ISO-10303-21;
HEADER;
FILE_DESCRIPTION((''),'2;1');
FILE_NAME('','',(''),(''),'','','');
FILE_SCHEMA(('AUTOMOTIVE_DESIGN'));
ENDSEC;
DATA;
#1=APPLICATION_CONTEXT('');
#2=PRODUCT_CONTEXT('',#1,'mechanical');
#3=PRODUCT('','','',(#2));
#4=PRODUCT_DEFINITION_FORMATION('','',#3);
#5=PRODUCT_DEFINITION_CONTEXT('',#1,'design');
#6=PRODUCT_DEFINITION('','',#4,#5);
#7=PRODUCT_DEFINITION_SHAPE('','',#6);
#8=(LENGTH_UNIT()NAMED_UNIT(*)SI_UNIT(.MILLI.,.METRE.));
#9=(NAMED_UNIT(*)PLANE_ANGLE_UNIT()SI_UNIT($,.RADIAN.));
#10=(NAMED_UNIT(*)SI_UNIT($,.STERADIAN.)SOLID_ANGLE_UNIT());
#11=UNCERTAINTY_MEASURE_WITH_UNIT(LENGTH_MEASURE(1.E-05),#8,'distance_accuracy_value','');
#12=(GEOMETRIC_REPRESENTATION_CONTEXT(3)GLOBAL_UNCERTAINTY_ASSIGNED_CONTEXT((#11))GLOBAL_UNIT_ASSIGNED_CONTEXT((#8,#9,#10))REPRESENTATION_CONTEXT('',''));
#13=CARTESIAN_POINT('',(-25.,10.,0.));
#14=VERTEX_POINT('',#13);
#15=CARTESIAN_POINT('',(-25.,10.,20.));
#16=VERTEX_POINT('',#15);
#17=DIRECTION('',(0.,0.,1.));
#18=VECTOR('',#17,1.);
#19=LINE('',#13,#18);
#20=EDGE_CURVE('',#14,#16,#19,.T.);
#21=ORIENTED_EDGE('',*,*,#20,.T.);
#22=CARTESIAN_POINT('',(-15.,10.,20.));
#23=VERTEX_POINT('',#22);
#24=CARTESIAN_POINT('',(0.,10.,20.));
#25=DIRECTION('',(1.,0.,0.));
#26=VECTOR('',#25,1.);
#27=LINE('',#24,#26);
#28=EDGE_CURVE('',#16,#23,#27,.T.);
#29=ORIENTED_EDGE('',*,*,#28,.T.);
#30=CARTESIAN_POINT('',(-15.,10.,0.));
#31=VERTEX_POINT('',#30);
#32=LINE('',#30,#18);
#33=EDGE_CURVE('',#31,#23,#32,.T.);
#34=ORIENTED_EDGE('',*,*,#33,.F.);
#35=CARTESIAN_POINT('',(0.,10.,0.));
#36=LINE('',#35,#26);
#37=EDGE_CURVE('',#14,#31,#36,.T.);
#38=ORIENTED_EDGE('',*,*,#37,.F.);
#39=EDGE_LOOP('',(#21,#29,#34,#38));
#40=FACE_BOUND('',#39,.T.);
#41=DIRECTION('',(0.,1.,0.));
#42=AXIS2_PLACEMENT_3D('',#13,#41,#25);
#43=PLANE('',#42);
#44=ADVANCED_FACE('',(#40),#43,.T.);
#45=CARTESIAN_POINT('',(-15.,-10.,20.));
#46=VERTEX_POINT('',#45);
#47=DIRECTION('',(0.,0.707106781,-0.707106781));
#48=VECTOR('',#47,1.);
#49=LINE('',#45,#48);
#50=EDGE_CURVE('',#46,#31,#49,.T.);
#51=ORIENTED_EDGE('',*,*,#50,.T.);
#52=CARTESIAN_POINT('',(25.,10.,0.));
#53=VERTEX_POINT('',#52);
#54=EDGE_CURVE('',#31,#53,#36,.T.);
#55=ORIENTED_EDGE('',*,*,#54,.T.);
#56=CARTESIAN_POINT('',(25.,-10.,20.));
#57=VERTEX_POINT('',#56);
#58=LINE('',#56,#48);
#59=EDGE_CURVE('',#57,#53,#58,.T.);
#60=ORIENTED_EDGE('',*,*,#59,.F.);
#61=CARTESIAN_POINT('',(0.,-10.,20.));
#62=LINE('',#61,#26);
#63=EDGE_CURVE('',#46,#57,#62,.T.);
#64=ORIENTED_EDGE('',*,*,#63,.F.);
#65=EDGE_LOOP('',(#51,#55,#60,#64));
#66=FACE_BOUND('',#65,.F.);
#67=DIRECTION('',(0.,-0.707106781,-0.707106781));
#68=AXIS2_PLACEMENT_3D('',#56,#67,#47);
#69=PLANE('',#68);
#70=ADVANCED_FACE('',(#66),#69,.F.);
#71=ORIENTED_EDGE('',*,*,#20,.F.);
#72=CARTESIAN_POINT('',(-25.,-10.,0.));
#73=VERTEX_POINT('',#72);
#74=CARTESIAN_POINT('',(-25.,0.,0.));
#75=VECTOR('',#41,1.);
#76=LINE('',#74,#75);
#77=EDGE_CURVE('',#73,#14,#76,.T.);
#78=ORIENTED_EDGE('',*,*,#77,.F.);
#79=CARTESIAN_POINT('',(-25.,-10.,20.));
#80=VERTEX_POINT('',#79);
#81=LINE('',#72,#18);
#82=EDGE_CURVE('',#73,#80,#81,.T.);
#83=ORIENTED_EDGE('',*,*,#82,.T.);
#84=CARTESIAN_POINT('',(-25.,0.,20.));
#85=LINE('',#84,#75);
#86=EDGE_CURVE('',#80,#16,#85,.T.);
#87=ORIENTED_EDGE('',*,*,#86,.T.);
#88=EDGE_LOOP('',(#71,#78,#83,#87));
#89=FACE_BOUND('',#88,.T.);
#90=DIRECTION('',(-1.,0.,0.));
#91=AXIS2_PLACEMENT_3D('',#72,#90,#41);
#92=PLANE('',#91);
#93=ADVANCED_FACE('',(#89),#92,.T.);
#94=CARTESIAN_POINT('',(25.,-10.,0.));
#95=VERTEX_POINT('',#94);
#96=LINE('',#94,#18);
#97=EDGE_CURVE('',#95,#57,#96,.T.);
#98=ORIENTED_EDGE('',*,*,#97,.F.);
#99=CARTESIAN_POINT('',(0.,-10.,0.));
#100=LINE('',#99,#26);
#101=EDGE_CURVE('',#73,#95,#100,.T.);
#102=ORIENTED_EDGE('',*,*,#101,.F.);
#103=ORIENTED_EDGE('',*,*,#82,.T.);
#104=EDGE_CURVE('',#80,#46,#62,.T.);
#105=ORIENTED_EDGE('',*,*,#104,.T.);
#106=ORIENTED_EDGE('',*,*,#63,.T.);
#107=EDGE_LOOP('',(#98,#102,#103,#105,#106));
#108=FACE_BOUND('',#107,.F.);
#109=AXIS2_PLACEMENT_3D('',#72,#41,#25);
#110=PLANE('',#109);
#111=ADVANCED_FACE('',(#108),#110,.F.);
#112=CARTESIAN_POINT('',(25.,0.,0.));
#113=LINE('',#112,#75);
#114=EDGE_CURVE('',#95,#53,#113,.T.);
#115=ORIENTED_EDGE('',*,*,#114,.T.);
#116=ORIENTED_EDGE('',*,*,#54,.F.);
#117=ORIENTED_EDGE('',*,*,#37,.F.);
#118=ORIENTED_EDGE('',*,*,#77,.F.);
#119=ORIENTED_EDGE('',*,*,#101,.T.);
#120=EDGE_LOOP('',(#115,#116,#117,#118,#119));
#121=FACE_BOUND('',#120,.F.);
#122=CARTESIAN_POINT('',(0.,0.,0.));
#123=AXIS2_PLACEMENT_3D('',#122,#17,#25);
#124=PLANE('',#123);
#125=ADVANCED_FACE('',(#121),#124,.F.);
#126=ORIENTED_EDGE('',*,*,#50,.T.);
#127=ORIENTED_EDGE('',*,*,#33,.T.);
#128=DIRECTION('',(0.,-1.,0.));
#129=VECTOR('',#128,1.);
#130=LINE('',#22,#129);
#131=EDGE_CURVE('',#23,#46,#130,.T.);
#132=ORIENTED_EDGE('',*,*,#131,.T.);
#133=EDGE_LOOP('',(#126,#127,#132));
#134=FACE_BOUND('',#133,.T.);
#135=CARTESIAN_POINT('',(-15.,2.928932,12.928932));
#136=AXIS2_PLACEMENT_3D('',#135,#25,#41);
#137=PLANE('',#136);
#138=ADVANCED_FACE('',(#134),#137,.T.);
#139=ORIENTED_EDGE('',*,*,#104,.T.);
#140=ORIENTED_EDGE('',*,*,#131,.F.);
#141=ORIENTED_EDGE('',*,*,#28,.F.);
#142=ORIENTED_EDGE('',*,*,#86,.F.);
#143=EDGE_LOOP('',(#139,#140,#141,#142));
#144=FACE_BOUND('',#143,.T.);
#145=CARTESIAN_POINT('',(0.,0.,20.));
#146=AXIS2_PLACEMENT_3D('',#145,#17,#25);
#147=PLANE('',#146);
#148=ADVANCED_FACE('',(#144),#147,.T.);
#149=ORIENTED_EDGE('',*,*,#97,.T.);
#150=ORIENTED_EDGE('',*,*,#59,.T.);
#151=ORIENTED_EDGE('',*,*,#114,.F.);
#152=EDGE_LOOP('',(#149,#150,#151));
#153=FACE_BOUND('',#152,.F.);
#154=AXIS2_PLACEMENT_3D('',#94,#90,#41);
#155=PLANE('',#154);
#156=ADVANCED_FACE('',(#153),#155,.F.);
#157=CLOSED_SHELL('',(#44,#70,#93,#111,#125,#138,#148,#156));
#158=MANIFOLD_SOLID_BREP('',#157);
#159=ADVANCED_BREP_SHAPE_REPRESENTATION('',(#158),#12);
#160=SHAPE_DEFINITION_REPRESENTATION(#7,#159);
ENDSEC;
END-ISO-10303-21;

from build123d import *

# Parameters (mm, degrees)
F0_W     = 50
F0_H     = 20
F1_DEPTH = 20
F3_DEPTH = 40


with BuildPart() as f1:
    # F0 (on Top) → F1 (new body)
    with BuildSketch(Plane.XY):
        Rectangle(F0_W, F0_H)
    extrude(amount=F1_DEPTH)

    # F2 (on face) → F3 (cut)
    with BuildSketch(Plane.YZ.offset(25)):
        Polygon((10, 20), (-10, 20), (10, 0), align=None)
    extrude(amount=-F3_DEPTH, mode=Mode.SUBTRACT)


solid = f1.part
